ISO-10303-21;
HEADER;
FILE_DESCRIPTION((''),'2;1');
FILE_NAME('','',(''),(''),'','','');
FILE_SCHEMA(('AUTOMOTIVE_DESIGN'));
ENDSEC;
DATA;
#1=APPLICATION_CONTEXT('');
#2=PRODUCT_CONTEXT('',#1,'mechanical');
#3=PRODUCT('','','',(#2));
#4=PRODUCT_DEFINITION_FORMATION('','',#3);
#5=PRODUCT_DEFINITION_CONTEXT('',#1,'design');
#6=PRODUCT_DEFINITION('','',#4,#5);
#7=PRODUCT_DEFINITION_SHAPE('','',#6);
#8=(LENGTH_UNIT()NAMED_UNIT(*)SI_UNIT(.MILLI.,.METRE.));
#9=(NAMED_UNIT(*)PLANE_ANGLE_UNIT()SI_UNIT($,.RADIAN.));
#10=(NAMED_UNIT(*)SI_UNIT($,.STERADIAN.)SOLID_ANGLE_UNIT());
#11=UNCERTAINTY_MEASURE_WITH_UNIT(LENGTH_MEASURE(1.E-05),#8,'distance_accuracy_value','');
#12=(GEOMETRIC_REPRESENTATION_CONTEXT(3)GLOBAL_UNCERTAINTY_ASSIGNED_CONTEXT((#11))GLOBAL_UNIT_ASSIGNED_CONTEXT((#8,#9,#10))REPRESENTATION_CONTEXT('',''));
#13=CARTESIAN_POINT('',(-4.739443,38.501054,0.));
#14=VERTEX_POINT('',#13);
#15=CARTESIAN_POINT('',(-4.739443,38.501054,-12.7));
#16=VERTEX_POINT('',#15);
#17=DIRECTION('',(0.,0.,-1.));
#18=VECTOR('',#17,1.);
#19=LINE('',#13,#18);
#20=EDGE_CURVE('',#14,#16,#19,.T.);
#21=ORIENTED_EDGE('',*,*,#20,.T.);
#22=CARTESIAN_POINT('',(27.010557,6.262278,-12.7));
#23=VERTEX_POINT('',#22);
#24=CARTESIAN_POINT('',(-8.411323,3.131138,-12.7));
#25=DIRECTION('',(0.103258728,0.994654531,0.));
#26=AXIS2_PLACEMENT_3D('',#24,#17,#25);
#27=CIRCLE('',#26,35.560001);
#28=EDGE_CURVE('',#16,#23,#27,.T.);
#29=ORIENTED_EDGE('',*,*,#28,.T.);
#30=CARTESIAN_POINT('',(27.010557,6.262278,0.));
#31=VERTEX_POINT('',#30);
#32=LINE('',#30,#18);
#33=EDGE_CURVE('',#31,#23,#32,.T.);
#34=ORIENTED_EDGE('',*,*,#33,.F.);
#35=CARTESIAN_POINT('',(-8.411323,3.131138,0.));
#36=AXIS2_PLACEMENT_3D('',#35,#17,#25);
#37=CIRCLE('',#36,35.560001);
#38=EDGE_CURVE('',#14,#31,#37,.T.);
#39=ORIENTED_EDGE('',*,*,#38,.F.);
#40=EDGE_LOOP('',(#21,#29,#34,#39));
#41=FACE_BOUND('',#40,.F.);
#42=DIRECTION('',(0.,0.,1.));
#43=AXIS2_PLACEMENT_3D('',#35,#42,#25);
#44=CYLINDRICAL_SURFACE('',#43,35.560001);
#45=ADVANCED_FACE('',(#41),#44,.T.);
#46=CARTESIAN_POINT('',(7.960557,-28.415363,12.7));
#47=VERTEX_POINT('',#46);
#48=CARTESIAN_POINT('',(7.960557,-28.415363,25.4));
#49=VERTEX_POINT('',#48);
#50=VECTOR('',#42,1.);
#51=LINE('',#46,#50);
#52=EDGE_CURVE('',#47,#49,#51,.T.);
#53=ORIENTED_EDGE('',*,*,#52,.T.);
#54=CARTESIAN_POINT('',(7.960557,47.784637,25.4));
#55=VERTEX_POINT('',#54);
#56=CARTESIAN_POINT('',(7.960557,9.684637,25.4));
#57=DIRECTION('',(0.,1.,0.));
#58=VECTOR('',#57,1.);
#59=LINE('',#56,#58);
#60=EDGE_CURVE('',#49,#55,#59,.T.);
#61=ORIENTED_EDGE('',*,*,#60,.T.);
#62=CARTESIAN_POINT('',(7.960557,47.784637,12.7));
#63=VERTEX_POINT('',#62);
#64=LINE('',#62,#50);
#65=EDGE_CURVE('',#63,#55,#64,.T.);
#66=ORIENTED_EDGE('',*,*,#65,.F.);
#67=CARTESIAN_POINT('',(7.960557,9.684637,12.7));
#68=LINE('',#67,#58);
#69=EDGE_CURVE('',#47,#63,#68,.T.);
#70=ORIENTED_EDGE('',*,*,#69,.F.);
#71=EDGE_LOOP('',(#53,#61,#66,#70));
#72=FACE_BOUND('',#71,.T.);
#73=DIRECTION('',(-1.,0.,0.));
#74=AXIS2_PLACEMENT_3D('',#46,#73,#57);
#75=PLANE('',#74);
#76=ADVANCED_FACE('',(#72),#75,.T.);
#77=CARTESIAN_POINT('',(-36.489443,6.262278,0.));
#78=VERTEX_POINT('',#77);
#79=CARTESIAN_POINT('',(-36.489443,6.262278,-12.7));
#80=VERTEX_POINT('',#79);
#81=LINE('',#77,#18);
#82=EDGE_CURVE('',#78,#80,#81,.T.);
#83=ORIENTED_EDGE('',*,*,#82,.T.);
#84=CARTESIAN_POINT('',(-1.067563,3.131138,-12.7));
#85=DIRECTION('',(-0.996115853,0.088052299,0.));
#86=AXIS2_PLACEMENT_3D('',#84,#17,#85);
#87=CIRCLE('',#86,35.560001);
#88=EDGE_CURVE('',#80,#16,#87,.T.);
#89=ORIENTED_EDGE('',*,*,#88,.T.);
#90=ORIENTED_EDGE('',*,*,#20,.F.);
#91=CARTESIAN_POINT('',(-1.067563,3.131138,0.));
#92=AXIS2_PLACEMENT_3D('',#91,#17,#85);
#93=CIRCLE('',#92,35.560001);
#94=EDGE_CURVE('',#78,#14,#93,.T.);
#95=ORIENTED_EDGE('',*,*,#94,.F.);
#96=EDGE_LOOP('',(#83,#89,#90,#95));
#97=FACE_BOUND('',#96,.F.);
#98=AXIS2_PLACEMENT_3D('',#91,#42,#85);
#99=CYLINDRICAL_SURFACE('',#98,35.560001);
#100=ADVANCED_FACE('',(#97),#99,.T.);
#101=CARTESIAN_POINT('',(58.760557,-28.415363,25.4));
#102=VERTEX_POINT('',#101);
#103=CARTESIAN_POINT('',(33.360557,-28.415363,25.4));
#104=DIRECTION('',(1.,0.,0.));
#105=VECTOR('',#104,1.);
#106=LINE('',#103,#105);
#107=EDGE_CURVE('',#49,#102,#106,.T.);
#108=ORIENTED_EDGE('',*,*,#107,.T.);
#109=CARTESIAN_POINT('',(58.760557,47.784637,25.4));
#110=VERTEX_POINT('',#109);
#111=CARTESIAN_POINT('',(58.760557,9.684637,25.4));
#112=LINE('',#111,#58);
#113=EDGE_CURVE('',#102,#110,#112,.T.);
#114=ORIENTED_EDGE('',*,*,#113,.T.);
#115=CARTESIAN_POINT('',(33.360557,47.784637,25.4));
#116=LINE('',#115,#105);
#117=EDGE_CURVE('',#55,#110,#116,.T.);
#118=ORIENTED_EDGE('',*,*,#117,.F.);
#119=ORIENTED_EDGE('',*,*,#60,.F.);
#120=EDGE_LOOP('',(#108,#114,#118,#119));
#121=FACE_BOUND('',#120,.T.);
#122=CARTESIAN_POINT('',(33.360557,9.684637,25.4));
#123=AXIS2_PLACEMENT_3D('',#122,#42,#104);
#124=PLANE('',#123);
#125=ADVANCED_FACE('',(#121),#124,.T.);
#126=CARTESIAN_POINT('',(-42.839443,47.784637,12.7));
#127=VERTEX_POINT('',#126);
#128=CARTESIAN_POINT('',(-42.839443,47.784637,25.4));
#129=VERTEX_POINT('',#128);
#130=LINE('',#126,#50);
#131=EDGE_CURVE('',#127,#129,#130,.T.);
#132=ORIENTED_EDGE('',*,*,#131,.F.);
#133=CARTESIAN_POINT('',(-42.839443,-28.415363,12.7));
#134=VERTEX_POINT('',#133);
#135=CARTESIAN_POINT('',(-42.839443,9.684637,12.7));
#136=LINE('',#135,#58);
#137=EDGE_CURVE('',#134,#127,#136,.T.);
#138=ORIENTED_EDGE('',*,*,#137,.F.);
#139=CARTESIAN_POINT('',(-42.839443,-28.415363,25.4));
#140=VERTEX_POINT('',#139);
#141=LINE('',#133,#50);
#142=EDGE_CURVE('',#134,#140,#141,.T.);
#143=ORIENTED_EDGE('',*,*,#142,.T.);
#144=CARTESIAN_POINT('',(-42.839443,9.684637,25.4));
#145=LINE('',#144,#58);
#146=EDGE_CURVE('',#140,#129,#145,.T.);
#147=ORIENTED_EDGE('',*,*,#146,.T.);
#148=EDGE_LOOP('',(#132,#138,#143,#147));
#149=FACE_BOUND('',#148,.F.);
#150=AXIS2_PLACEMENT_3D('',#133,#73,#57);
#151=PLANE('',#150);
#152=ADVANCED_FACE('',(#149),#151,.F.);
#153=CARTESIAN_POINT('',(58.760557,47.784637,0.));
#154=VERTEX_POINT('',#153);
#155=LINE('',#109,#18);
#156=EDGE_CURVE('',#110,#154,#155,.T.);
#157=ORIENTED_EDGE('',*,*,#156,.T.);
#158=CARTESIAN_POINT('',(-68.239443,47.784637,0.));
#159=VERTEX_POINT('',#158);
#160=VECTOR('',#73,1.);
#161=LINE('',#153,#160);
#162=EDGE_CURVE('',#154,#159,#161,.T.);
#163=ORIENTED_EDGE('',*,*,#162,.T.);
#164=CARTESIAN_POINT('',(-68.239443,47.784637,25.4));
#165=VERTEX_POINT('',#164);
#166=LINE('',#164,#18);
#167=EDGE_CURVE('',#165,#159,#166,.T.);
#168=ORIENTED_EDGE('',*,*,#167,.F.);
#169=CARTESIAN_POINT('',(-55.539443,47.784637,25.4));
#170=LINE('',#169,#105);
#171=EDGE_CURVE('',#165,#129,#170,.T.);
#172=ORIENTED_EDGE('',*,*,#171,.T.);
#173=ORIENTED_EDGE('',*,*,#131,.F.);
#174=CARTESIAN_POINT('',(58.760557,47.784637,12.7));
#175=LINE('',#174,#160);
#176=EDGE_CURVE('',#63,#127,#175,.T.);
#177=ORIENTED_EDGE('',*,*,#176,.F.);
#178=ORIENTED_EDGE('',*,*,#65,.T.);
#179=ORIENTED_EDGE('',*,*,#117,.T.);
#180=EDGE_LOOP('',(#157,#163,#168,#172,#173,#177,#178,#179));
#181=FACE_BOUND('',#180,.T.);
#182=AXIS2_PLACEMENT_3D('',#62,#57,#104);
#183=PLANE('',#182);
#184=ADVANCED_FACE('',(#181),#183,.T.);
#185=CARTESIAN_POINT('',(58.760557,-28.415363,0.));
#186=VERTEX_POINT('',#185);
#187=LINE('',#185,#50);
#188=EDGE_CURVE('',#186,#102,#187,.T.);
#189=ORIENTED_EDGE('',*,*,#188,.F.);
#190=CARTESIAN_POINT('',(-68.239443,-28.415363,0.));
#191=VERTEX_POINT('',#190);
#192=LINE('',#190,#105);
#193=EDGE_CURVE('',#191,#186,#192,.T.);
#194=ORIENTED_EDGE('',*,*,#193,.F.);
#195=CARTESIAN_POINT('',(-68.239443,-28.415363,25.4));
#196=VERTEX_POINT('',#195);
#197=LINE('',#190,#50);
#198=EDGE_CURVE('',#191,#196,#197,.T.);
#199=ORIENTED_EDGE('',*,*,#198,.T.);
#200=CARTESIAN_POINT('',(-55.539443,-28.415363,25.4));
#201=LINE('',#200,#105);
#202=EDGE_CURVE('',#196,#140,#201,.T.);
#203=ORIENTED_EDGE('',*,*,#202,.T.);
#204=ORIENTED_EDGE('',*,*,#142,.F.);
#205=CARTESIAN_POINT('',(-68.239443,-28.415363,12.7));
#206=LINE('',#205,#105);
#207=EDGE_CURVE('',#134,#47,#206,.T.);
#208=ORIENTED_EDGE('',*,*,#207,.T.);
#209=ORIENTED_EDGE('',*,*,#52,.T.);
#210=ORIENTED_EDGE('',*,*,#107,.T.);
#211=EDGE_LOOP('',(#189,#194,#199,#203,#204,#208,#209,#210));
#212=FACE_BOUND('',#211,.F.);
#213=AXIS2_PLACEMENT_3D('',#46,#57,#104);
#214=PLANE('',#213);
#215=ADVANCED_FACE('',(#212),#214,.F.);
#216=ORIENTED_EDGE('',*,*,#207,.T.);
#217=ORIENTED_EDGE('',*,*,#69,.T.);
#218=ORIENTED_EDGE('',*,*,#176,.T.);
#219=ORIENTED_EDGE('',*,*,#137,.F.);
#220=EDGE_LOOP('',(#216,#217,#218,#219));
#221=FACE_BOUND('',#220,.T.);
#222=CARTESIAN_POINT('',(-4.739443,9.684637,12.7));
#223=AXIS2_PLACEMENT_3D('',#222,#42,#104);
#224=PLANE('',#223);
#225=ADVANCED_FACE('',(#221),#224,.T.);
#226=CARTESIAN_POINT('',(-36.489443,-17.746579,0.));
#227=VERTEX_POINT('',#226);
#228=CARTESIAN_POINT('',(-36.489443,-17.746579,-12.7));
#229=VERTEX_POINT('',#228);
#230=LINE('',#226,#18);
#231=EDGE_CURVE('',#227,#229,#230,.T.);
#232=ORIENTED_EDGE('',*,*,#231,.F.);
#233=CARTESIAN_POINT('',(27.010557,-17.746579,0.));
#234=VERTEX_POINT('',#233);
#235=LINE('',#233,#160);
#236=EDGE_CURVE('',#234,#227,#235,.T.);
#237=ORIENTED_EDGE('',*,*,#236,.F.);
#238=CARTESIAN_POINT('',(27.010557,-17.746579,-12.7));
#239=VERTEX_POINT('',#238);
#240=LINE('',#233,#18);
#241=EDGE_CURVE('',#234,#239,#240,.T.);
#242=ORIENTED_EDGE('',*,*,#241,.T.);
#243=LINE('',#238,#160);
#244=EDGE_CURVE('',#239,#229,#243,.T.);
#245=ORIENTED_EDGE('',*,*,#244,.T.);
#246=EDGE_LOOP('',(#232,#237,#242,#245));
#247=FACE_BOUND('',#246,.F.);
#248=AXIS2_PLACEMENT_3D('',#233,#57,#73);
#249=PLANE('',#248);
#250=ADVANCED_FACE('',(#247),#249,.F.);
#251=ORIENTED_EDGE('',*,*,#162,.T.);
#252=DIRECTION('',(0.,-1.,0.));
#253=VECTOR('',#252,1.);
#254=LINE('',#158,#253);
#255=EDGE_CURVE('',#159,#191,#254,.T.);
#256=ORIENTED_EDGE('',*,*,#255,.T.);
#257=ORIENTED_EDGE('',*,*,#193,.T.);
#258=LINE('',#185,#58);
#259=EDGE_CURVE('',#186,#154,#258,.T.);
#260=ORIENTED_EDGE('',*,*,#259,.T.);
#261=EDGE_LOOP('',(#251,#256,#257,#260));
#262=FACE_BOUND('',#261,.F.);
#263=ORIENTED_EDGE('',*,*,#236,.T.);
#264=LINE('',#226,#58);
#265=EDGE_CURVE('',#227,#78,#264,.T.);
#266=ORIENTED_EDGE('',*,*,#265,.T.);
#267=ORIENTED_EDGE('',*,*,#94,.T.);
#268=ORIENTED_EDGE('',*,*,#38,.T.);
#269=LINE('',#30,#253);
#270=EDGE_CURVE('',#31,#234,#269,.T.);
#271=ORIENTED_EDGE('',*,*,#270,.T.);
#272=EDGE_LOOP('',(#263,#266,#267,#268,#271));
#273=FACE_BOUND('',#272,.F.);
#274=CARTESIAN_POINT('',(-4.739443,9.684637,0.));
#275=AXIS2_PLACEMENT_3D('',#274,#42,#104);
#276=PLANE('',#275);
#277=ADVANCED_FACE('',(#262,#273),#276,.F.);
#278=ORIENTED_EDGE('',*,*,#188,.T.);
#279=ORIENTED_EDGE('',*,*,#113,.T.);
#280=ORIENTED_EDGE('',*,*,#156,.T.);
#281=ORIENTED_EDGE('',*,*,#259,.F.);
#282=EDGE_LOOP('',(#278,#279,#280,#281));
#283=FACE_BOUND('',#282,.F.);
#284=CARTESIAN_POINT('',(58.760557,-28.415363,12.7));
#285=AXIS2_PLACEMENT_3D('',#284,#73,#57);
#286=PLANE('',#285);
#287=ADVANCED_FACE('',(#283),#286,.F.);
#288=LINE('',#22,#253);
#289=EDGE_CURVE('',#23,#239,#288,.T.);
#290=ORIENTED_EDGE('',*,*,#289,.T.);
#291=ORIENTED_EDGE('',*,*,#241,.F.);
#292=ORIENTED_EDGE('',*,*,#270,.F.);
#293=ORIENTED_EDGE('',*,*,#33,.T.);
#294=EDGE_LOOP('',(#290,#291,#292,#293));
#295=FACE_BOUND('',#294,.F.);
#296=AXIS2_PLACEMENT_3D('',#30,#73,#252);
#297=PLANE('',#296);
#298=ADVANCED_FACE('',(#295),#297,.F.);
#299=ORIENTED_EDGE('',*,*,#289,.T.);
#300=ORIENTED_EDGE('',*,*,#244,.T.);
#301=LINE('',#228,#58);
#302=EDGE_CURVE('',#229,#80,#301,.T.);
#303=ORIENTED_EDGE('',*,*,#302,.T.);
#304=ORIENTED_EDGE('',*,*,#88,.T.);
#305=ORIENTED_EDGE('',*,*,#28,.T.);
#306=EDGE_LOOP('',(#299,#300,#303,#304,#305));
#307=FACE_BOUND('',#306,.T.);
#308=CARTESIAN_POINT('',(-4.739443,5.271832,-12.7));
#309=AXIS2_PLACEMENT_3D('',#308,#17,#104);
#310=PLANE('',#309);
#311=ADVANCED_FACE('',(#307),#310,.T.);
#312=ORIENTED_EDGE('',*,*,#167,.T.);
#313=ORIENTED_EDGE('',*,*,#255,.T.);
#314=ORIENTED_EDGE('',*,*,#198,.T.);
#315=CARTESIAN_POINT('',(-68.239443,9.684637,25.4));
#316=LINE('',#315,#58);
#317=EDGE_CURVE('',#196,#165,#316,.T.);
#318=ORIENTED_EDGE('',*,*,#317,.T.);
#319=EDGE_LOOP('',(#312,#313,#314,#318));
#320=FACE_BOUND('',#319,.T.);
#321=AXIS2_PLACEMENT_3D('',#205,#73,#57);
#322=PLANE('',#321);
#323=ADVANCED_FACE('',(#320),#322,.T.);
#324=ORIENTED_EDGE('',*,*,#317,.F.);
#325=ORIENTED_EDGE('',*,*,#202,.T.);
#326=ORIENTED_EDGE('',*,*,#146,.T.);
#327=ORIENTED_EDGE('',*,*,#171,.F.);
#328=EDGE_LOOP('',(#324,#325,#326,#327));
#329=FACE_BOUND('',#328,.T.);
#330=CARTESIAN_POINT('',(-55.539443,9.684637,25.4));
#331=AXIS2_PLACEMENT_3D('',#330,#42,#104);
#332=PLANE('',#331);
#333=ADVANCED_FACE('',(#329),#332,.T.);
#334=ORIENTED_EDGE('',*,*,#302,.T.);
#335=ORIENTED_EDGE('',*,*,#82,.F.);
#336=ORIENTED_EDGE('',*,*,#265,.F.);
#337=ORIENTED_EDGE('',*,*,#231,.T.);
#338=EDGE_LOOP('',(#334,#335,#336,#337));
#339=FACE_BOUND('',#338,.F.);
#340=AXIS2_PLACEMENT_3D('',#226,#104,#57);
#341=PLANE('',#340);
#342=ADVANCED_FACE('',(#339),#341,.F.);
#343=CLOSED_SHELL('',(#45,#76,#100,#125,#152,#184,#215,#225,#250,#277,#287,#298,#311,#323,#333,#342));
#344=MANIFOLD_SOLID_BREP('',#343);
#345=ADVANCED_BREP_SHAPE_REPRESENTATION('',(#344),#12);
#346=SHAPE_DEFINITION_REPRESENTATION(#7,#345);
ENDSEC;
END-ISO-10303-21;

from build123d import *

# Parameters (mm, degrees)
F1_DEPTH = 12.7
F2_W     = 25.4
F2_H     = 76.2
F3_DEPTH = 12.7
F4_W     = 50.8
F4_H     = 76.2
F5_DEPTH = 12.7
F7_DEPTH = 12.7


with BuildPart() as f1:
    # F0 (on Top) → F1 (new body)
    with BuildSketch(Plane.XY):
        Polygon((-42.839443, 47.784637), (-68.239443, 47.784637), (-68.239443, -28.415363), (-42.839443, -28.415363), (7.960557, -28.415363), (58.760557, -28.415363), (58.760557, 47.784637), (7.960557, 47.784637), align=None)
    extrude(amount=F1_DEPTH)

    # F2 (on face) → F3 (join)
    with BuildSketch(Plane.XY.offset(12.7)):
        with Locations((-55.539443, 9.684637)):
            Rectangle(F2_W, F2_H)
    extrude(amount=F3_DEPTH)

    # F4 (on face) → F5 (join)
    with BuildSketch(Plane.XY.offset(12.7)):
        with Locations((33.360557, 9.684637)):
            Rectangle(F4_W, F4_H)
    extrude(amount=F5_DEPTH)

    # F6 (on face) → F7 (join)
    with BuildSketch(Plane(origin=(0, 0, 0), x_dir=(1, 0, 0), z_dir=(0, 0, -1))):
        with BuildLine():
            Line((27.010557, 17.746579), (-4.739443, 17.746579))
            Line((-4.739443, 17.746579), (-36.489443, 17.746579))
            Line((-36.489443, 17.746579), (-36.489443, 0))
            Line((-36.489443, 0), (-36.489443, -6.262278))
            ThreePointArc((-36.489443, -6.262278), (-26.403608, -28.083061), (-4.739443, -38.501054))
            ThreePointArc((-4.739443, -38.501054), (16.924722, -28.083061), (27.010557, -6.262278))
            Line((27.010557, -6.262278), (27.010557, 0))
            Line((27.010557, 0), (27.010557, 17.746579))
        make_face()
    extrude(amount=F7_DEPTH)


solid = f1.part
